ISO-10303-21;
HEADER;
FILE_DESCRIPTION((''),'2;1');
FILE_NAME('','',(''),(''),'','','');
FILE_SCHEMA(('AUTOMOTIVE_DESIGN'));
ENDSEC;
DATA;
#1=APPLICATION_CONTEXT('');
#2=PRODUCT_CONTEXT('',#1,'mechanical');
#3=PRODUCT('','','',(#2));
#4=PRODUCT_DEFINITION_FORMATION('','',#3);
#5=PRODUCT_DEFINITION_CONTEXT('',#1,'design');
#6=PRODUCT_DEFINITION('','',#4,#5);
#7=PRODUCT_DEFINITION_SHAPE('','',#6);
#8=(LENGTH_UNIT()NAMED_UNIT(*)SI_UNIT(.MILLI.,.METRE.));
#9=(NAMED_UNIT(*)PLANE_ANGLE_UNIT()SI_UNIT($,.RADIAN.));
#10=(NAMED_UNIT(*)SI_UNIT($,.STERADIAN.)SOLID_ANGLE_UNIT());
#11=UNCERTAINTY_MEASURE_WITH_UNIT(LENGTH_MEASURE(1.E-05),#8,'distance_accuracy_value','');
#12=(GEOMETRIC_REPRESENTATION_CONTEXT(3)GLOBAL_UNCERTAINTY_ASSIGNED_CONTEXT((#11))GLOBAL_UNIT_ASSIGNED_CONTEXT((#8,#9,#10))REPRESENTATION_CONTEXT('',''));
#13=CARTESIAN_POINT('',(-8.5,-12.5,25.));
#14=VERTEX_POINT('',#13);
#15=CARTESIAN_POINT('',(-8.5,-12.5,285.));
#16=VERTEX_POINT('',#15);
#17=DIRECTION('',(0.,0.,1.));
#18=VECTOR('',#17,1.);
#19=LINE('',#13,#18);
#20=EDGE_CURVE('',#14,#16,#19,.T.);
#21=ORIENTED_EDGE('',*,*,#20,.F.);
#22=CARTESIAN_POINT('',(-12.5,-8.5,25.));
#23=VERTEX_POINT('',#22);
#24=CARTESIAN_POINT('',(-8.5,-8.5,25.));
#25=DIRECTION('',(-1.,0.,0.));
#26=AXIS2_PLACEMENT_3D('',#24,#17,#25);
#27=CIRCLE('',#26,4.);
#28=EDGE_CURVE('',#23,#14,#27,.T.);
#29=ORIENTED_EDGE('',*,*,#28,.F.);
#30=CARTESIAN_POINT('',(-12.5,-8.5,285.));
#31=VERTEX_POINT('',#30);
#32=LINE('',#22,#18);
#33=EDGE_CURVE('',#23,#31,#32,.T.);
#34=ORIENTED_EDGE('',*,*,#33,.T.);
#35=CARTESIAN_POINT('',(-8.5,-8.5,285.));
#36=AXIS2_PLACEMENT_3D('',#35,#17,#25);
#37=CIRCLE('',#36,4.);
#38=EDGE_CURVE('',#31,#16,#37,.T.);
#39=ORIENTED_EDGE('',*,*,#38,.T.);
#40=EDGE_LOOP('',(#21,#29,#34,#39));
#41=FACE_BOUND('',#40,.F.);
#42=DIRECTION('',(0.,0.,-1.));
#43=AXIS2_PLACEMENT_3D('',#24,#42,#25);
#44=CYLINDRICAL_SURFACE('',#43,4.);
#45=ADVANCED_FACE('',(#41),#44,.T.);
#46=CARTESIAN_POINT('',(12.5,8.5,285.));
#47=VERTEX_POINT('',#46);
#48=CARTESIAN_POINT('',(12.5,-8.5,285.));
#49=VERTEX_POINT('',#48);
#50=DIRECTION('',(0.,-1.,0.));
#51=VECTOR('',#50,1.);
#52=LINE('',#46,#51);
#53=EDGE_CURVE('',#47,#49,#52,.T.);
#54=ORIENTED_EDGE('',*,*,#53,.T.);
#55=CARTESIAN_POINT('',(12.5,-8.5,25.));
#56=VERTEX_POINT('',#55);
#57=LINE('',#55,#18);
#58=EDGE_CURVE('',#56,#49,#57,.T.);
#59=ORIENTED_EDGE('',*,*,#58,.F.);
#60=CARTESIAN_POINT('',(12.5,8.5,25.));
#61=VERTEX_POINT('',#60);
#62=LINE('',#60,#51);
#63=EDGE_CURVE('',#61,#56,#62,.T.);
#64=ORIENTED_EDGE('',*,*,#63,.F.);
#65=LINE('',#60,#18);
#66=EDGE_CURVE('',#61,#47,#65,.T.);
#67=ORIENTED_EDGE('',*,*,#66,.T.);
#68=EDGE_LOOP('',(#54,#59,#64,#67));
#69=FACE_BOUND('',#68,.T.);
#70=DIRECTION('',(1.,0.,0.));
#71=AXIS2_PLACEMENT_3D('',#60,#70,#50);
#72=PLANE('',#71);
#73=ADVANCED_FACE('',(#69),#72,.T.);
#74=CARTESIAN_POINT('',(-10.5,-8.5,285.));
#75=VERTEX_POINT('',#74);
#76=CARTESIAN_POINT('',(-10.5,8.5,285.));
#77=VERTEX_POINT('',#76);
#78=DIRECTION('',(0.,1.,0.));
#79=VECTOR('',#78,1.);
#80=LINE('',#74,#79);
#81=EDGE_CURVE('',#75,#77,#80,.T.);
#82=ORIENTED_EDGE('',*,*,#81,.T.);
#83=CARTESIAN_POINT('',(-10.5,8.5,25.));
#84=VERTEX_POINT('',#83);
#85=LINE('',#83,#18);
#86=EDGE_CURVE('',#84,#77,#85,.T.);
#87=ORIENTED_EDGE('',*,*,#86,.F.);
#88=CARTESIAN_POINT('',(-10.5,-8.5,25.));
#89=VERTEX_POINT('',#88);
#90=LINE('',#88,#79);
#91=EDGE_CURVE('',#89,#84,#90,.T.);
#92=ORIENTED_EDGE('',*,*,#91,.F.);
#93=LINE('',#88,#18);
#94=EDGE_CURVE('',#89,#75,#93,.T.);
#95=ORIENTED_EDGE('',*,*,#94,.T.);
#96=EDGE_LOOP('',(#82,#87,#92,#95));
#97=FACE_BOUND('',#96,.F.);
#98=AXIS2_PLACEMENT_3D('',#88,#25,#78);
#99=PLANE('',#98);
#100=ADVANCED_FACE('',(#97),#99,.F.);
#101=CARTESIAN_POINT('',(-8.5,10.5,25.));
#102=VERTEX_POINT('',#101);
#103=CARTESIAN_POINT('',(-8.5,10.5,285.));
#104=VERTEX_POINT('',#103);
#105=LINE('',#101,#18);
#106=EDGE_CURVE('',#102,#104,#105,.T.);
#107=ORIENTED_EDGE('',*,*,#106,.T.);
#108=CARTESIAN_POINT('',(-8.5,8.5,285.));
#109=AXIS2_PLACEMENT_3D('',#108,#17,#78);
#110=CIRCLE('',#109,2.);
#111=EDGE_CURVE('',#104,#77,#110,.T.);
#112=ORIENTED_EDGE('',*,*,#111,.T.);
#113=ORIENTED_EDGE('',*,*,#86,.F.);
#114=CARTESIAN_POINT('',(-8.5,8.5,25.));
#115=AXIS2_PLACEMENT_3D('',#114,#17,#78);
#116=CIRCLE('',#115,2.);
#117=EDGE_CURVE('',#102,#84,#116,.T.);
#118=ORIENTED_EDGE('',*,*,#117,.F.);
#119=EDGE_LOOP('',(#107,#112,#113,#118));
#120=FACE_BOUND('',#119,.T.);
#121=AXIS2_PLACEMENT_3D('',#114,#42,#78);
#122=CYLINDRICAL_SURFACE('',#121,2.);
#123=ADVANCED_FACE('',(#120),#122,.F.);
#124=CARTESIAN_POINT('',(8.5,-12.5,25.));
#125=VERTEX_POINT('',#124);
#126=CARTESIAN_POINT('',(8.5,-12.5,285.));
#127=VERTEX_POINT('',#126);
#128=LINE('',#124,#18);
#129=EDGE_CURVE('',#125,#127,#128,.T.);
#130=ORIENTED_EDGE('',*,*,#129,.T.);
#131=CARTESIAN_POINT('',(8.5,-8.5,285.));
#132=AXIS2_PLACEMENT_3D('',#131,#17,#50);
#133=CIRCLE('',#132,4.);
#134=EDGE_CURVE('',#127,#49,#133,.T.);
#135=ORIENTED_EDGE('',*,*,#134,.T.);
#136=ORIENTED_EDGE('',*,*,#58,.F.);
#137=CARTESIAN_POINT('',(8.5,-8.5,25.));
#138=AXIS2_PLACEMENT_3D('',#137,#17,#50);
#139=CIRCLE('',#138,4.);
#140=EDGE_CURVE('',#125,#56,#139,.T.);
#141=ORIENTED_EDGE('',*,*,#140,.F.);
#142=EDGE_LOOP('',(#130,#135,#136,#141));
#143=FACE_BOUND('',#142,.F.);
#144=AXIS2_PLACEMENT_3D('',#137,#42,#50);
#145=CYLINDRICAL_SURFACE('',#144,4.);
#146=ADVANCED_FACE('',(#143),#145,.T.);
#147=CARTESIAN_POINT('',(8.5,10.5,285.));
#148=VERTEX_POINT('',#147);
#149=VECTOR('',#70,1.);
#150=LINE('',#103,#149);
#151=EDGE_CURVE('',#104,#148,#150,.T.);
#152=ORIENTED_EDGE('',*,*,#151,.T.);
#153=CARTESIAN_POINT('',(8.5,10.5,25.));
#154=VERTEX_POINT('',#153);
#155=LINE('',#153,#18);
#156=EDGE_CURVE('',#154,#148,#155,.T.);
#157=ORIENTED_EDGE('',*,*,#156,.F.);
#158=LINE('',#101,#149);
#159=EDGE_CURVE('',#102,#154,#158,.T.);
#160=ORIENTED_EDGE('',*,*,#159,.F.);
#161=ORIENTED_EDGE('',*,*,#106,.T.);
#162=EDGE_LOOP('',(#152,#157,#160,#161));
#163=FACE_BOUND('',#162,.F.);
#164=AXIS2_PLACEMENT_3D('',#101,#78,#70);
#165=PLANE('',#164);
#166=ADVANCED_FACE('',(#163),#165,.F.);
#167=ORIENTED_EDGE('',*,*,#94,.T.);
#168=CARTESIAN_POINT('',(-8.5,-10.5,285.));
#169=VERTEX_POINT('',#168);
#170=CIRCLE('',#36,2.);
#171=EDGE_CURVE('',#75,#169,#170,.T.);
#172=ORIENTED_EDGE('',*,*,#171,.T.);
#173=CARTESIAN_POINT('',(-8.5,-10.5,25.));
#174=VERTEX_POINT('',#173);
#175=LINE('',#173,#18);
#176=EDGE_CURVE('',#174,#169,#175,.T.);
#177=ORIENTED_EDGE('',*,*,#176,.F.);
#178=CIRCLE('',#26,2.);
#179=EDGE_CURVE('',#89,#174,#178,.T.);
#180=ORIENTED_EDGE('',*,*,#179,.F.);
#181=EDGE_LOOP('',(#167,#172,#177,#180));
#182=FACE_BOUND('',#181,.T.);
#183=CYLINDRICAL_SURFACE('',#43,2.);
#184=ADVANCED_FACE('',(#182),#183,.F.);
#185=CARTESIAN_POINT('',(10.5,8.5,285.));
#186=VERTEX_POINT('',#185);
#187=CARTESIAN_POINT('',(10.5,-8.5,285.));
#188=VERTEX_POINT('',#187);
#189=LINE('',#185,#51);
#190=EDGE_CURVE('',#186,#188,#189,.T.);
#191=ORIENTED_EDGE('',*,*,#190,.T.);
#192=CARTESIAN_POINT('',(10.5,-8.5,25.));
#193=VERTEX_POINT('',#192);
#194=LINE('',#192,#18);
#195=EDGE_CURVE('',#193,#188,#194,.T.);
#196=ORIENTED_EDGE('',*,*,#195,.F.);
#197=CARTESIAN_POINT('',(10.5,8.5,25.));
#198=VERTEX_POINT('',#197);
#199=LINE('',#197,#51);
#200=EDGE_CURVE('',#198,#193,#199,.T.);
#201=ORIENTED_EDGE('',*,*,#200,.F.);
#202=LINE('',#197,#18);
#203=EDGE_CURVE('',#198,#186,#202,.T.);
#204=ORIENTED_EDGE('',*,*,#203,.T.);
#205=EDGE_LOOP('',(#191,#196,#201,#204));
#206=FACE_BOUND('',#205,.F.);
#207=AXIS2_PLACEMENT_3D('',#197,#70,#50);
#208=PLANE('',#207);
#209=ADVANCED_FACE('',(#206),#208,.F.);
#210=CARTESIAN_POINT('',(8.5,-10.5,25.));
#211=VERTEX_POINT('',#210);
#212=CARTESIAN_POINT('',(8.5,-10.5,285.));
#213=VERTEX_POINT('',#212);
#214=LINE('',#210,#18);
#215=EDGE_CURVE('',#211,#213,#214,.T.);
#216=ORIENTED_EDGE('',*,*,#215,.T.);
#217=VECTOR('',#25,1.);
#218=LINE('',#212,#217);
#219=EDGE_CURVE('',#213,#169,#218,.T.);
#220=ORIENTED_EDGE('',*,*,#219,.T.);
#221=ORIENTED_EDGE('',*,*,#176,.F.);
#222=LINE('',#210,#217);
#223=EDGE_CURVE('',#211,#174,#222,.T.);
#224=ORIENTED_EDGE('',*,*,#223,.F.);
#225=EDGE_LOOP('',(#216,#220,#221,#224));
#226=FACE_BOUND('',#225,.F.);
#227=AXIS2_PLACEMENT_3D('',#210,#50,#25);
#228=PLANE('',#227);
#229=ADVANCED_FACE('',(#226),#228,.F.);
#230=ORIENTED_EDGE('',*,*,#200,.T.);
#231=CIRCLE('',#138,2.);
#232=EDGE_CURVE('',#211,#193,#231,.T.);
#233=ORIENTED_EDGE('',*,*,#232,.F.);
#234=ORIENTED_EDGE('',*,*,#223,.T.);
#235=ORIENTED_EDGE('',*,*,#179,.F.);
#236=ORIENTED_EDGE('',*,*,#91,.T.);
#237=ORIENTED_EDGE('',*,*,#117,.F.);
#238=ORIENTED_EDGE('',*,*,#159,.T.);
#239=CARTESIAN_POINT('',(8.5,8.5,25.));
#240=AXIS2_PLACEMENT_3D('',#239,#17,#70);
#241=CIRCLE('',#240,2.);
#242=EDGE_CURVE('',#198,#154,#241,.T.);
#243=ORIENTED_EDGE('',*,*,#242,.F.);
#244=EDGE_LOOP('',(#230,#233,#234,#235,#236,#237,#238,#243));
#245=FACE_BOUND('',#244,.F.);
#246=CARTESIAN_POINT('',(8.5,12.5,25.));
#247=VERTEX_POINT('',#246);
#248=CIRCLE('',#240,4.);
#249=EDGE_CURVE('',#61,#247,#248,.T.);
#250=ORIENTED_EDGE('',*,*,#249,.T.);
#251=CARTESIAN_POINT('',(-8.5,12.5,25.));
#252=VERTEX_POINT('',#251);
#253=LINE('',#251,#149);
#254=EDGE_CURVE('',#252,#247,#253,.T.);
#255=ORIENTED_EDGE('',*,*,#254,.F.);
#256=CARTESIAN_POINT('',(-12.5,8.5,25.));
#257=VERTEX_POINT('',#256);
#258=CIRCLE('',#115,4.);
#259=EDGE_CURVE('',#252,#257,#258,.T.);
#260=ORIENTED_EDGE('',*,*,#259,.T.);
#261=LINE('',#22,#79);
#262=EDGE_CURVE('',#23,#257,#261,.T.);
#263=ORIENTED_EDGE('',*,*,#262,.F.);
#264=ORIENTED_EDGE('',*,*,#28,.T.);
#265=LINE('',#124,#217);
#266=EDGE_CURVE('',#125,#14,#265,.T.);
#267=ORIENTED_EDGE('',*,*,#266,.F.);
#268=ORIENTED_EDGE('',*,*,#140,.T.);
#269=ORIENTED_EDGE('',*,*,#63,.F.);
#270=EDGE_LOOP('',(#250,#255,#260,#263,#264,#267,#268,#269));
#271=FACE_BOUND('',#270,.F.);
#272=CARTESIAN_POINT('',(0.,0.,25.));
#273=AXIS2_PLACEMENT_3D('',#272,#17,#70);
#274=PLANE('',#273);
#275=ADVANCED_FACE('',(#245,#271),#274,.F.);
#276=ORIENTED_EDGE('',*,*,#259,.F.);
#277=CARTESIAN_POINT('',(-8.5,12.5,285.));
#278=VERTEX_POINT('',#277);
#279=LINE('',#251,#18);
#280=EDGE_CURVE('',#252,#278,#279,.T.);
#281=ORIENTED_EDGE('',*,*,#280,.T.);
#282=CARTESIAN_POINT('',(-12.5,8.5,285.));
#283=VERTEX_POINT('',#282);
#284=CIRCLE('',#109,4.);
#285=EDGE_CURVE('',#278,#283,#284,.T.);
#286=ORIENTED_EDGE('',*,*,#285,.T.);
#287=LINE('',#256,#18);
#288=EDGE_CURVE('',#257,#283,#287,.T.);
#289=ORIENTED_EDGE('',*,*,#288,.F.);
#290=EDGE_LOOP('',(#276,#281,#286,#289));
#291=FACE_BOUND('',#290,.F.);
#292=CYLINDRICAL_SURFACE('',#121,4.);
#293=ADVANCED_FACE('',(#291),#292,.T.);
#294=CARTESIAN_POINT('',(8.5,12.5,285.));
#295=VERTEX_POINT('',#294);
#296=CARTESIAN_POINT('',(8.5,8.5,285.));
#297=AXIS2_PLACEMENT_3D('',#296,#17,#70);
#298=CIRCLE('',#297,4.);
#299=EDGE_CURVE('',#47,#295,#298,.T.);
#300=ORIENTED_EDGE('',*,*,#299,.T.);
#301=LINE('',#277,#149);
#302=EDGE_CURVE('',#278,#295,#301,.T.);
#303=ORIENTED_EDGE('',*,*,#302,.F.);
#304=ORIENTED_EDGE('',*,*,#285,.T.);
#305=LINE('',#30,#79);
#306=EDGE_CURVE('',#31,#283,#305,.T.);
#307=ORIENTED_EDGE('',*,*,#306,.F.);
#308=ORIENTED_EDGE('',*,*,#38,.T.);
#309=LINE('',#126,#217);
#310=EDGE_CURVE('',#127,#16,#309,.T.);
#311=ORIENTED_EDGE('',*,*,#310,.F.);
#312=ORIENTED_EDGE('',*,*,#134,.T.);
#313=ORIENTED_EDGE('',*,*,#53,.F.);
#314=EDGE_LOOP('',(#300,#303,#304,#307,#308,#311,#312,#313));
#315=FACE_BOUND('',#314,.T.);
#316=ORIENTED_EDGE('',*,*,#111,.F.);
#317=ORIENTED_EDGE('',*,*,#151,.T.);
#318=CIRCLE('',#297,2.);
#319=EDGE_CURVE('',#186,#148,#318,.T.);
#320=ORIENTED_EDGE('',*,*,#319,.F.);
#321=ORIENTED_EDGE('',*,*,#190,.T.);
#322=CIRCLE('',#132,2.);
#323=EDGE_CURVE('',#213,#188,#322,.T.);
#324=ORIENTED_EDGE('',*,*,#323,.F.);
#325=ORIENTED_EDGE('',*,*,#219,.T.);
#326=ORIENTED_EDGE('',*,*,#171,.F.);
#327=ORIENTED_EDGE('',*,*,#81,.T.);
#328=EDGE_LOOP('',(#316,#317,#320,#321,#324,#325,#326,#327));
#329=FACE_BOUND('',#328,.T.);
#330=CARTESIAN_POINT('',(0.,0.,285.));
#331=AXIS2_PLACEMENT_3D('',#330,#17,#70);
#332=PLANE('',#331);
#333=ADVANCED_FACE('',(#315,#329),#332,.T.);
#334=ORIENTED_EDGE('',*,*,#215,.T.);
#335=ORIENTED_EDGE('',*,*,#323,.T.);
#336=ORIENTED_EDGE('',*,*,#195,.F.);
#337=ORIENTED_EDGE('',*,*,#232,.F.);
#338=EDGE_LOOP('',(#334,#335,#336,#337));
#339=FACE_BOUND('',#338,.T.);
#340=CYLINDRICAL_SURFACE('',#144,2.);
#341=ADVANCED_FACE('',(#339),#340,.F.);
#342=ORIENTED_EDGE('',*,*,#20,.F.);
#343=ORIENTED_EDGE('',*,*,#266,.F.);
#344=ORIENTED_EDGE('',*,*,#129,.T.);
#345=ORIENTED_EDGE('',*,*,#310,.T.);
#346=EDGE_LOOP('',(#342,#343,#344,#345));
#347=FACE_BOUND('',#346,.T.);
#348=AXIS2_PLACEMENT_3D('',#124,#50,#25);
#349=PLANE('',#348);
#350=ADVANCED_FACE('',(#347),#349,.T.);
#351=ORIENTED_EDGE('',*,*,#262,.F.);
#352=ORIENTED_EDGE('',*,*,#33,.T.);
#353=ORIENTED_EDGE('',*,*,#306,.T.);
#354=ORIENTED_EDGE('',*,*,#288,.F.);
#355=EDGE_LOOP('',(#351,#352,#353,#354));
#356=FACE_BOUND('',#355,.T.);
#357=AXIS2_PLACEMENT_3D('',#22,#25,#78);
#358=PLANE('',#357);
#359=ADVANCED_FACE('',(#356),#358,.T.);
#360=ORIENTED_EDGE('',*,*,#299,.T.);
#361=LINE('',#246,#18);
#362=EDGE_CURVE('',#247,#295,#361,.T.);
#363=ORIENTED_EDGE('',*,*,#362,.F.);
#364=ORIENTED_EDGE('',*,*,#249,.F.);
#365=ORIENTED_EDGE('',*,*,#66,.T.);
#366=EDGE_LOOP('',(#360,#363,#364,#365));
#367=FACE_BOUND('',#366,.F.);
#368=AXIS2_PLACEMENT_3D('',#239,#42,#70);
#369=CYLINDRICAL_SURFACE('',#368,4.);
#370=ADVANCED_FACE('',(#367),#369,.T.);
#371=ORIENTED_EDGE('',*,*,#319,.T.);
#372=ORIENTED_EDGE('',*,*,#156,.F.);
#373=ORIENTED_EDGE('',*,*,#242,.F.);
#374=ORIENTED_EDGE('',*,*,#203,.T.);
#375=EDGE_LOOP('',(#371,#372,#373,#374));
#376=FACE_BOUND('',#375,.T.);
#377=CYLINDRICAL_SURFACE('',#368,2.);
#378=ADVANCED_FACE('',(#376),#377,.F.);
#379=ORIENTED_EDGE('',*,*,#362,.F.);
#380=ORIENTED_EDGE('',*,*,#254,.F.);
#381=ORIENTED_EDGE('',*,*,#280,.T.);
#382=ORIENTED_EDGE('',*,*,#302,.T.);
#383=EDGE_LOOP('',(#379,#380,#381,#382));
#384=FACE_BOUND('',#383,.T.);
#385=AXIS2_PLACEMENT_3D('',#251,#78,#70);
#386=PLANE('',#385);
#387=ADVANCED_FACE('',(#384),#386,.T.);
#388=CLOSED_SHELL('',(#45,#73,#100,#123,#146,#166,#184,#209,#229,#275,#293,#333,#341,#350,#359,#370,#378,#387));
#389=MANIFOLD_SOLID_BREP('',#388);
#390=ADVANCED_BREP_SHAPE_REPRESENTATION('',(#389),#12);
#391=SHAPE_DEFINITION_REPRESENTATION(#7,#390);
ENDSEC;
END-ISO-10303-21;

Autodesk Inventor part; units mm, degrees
ref_plane "Start plane" through (0, 0, 25) normal (0, 0, 1) x (1, 0, 0)
ref_plane "End plane" through (0, 0, 285) normal (0, 0, 1) x (1, 0, 0)
sketch "Sketch" plane through (0, 0, 0) normal (0, 0, 1) x (1, 0, 0)
  line L0 (-12.5, -8.5) -> (-12.5, 8.5)
  line L1 (-8.5, 12.5) -> (8.5, 12.5)
  line L2 (12.5, 8.5) -> (12.5, -8.5)
  line L3 (8.5, -12.5) -> (-8.5, -12.5)
  arc A0 (-12.5, -8.5) -> (-8.5, -12.5) centre (-8.5, -8.5) ccw
  arc A1 (12.5, 8.5) -> (8.5, 12.5) centre (8.5, 8.5) ccw
  arc A2 (-8.5, 12.5) -> (-12.5, 8.5) centre (-8.5, 8.5) ccw
  arc A3 (8.5, -12.5) -> (12.5, -8.5) centre (8.5, -8.5) ccw
  arc A4 (-8.5, 10.5) -> (-10.5, 8.5) centre (-8.5, 8.5) ccw
  line L4 (-8.5, 10.5) -> (8.5, 10.5)
  arc A5 (10.5, 8.5) -> (8.5, 10.5) centre (8.5, 8.5) ccw
  line L5 (10.5, 8.5) -> (10.5, -8.5)
  arc A6 (8.5, -10.5) -> (10.5, -8.5) centre (8.5, -8.5) ccw
  line L6 (8.5, -10.5) -> (-8.5, -10.5)
  arc A7 (-10.5, -8.5) -> (-8.5, -10.5) centre (-8.5, -8.5) ccw
  line L7 (-10.5, -8.5) -> (-10.5, 8.5)
  line L8 (0, 18.6598) -> (0, -18.6598) construction
  line L9 (-18.6598, 0) -> (18.6598, 0) construction
  dimension "d7" = 4
  dimension "d9" = 25
  dimension "d11" = 25
  dimension "d12" = 2
  dimension "d15" = 12.5
  dimension "d16" = 12.5
extrude "Body" add sketch "Sketch" along normal up to surface (260 mm away) from surface at 25
sketch "Sketch3" plane through (0, 0, 0) normal (0, 0, 1) x (1, 0, 0)
  line L0 (0, 0) -> (10, 0)
ref_plane "Work Plane3" through (0, 0, 0) normal (0, -1, 0) x (1, 0, 0)
sketch "Sketch4" plane through (0, 0, 0) normal (0, -1, 0) x (1, 0, 0)
  line L0 (-2, 25) -> (12, 25)
  line L1 (-2, 285) -> (12, 285)
  dimension "d18" = 260
ref_plane "Work Plane4" through (407.5, -8.5, 285) normal (0, 0, 1) x (1, 0, 0)
split "Split1" plane through (407.5, -8.5, 285) removes the side toward (0, 0, 1)
ref_plane "Work Plane5" through (-52.5, -8.5, 25) normal (0, 0, -1) x (-1, 0, 0)
split "Split2" plane through (-52.5, -8.5, 25) removes the side toward (0, 0, -1)
equation "\"d7\" = G_IR"
equation "\"d9\" = G_W"
equation "\"d11\" = G_H"
equation "\"d12\" = G_T"
equation "\"d15\" = 0.5 * d9"
equation "\"d16\" = 0.5 * d11"
equation "\"d3\" = G_L"
equation "\"G_W\" = 25"
equation "\"G_H\" = 25"
equation "\"G_T\" = 2"
equation "\"G_IR\" = 4"
equation "\"G_L\" = d18"
equation "\"G_OFFSET_START\" = -25"
equation "\"G_OFFSET_END\" = -25"
equation "\"d13\" = -G_OFFSET_START"
equation "\"d14\" = G_OFFSET_END + B_L"
equation "\"B_L\" = 310"
properties part number "ISO 4019 - 25x25x2 - 260" material "Steel, Mild"
